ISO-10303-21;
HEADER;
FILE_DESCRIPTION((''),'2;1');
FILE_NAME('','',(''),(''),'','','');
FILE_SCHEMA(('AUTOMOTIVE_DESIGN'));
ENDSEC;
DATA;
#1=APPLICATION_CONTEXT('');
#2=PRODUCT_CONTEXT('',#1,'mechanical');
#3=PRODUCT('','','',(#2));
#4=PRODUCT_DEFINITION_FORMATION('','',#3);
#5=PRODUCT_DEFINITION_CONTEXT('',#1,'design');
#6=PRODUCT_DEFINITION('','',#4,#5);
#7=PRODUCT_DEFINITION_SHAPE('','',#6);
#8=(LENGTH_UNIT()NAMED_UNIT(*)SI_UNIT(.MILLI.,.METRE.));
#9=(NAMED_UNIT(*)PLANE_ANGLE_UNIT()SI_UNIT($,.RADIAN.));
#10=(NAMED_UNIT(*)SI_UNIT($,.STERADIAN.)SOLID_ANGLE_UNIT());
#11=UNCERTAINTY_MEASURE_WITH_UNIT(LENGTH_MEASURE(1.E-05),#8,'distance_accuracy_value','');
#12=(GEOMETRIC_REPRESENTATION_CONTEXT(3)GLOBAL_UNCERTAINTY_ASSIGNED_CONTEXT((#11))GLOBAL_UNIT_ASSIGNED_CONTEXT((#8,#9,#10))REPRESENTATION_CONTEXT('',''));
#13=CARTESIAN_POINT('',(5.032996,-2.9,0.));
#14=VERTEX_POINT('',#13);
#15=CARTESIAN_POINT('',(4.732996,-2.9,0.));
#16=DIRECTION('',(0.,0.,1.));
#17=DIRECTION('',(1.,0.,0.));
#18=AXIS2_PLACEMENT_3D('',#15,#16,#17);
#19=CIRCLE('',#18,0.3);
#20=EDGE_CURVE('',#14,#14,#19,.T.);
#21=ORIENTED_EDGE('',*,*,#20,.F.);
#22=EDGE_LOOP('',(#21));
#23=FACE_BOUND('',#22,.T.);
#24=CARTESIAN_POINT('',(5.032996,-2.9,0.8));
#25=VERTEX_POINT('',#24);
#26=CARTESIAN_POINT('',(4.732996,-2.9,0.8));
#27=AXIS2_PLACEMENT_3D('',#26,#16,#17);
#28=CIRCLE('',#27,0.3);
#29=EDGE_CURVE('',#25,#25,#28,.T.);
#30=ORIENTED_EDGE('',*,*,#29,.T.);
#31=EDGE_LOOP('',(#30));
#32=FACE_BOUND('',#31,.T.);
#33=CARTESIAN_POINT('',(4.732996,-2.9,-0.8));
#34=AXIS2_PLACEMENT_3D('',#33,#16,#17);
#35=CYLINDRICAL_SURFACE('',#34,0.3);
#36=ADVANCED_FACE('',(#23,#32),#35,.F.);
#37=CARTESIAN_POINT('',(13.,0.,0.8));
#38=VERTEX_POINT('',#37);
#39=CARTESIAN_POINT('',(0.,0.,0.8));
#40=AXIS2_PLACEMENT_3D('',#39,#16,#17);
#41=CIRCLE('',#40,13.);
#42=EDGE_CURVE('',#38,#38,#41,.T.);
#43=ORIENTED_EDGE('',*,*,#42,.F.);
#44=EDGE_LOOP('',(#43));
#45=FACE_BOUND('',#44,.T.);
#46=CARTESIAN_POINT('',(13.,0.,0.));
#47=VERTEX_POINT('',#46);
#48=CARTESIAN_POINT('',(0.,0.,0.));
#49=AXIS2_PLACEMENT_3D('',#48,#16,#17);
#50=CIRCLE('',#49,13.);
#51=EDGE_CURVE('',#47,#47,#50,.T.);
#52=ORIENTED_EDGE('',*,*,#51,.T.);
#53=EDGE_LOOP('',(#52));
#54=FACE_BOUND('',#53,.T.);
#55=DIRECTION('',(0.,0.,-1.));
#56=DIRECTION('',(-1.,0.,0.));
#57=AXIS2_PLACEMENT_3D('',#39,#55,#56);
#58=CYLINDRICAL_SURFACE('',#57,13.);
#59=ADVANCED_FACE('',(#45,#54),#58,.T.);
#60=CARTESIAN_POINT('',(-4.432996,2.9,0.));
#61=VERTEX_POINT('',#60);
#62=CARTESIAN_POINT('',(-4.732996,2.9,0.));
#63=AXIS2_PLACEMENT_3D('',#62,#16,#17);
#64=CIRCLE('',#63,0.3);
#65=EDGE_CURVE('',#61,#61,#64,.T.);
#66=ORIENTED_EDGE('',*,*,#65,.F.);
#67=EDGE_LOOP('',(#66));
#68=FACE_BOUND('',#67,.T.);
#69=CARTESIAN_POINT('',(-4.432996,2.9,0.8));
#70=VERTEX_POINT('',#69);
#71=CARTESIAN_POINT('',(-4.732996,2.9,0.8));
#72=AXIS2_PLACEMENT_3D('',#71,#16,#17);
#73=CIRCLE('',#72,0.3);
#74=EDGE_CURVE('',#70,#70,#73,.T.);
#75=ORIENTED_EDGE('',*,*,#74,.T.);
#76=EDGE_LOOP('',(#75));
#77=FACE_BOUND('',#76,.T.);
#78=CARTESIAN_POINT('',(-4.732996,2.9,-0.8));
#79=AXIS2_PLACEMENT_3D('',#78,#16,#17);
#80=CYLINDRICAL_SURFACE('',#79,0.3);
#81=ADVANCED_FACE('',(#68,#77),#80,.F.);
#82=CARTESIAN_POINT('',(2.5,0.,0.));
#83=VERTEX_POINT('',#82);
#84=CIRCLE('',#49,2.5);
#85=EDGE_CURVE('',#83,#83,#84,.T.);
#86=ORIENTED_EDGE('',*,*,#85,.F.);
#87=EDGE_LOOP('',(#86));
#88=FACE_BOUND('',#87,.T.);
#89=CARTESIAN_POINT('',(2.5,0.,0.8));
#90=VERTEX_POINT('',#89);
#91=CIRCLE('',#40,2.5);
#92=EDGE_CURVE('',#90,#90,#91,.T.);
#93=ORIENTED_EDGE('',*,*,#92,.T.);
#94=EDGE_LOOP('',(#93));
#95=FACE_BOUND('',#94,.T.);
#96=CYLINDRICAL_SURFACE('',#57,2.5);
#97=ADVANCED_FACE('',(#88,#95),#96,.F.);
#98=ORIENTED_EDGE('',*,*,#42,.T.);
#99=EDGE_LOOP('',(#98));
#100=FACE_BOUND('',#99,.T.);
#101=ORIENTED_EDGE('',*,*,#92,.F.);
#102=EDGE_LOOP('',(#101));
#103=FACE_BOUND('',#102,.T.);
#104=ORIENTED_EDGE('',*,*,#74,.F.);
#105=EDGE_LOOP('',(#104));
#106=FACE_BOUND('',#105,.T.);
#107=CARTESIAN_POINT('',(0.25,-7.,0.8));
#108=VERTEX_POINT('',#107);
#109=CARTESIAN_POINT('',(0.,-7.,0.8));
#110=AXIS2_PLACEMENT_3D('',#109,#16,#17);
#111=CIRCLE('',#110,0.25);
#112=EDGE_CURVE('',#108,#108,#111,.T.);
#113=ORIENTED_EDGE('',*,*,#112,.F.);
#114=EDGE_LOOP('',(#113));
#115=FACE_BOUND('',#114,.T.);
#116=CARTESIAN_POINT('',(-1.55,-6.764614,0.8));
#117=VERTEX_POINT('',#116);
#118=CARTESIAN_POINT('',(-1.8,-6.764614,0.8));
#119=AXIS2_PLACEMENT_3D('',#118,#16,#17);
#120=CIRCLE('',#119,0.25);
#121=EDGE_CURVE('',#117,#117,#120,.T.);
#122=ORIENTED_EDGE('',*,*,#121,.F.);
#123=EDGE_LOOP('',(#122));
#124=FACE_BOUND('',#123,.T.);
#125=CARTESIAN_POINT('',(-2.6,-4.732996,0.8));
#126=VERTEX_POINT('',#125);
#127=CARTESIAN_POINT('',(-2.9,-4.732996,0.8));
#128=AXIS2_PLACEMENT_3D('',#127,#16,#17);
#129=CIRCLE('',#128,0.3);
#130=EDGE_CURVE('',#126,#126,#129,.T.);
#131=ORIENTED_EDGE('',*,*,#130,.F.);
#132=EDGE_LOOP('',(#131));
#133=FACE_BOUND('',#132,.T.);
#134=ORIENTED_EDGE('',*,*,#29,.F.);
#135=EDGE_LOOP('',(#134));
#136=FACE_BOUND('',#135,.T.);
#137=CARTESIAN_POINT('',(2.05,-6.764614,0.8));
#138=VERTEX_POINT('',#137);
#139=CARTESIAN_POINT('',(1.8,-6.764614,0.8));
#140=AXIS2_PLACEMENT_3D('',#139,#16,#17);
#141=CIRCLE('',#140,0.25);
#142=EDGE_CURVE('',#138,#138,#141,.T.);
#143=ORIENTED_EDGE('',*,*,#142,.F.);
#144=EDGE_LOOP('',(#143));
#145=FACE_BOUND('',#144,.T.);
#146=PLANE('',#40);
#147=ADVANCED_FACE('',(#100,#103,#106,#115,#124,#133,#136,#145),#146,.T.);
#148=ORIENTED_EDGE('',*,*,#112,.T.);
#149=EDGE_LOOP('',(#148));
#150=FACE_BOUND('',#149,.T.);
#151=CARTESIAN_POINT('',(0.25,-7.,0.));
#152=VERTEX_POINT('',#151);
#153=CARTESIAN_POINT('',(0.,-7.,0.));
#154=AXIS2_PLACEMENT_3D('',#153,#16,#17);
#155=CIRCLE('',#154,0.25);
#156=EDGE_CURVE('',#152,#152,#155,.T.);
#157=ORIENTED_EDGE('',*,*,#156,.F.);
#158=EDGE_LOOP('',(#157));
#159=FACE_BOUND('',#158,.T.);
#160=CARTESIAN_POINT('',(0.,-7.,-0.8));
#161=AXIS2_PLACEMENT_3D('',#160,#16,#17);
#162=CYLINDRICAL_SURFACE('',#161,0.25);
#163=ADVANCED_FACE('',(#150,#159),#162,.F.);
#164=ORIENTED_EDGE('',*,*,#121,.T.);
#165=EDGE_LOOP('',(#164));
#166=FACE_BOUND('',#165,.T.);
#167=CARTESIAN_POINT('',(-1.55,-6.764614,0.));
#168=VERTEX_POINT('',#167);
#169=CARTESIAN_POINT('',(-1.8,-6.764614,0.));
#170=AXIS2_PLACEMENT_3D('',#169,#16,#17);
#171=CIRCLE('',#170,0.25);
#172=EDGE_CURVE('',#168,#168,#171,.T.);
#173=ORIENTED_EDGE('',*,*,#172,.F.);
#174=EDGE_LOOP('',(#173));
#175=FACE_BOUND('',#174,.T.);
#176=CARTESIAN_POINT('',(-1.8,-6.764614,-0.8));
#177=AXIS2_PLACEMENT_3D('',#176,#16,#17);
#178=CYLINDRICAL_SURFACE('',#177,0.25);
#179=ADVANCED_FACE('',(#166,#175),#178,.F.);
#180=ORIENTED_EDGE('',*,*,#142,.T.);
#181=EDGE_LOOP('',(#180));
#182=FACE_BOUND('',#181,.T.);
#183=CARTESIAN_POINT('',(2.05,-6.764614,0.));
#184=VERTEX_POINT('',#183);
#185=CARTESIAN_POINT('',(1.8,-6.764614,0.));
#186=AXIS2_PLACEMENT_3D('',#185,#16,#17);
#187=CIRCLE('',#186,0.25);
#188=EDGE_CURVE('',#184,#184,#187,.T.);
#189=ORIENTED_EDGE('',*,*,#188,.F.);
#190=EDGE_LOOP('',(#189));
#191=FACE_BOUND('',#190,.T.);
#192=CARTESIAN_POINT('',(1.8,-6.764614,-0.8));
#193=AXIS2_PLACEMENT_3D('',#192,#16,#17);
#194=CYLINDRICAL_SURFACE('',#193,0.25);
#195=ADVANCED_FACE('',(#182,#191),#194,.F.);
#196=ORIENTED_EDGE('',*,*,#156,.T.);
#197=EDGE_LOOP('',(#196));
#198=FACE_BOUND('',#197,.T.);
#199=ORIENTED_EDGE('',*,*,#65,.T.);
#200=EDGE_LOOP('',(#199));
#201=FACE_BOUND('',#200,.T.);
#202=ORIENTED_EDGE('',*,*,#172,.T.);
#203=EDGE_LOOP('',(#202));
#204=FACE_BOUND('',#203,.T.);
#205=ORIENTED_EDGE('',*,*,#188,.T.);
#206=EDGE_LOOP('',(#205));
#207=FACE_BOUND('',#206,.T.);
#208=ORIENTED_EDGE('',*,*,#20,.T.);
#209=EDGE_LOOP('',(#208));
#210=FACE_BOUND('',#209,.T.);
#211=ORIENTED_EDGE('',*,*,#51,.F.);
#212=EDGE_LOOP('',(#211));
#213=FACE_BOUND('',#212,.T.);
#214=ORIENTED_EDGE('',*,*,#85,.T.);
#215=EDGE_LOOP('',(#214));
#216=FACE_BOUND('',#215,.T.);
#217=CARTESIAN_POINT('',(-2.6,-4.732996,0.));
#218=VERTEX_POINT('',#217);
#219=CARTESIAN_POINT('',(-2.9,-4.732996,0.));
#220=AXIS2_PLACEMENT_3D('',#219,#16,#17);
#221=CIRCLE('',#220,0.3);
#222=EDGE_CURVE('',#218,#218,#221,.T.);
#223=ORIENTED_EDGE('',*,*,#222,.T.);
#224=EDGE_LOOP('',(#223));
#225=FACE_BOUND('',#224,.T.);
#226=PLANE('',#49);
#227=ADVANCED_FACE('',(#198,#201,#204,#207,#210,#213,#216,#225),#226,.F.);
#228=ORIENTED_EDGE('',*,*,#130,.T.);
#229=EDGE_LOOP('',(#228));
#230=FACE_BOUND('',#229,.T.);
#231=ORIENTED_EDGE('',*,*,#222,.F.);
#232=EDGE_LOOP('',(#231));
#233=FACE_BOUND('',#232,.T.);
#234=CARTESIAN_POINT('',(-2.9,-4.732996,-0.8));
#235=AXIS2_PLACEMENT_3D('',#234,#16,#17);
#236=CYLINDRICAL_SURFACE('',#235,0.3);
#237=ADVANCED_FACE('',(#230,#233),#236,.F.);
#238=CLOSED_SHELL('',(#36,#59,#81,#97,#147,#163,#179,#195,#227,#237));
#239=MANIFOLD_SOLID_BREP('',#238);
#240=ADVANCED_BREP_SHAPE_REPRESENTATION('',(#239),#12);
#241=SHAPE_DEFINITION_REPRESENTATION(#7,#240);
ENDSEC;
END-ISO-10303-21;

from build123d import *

# Parameters (mm, degrees)
CROQUIS1_R              = 13
CROQUIS1_R_2            = 2.5
SALIENTE_EXTRUIR1_DEPTH = 0.8
CROQUIS2_R              = 0.25
CROQUIS2_R_2            = 0.3
CORTAR_EXTRUIR1_DEPTH   = 1.6


with BuildPart() as part:
    # Croquis1 → Saliente-Extruir1 (new body)
    with BuildSketch(Plane.XY):
        Circle(CROQUIS1_R)
        Circle(CROQUIS1_R_2, mode=Mode.SUBTRACT)
    extrude(amount=SALIENTE_EXTRUIR1_DEPTH)

    # Croquis2 → Cortar-Extruir1 (cut)
    with BuildSketch(Plane.XY.offset(0.8)):
        with Locations((0, -7)):
            Circle(CROQUIS2_R)
        with Locations((-1.8, -6.76461381)):
            Circle(CROQUIS2_R)
        with Locations((1.8, -6.76461381)):
            Circle(CROQUIS2_R)
        with Locations((4.73299588, -2.9)):
            Circle(CROQUIS2_R_2)
        with Locations((-2.9, -4.73299588)):
            Circle(CROQUIS2_R_2)
        with Locations((-4.73299588, 2.9)):
            Circle(CROQUIS2_R_2)
    extrude(amount=-CORTAR_EXTRUIR1_DEPTH, mode=Mode.SUBTRACT)


solid = part.part
